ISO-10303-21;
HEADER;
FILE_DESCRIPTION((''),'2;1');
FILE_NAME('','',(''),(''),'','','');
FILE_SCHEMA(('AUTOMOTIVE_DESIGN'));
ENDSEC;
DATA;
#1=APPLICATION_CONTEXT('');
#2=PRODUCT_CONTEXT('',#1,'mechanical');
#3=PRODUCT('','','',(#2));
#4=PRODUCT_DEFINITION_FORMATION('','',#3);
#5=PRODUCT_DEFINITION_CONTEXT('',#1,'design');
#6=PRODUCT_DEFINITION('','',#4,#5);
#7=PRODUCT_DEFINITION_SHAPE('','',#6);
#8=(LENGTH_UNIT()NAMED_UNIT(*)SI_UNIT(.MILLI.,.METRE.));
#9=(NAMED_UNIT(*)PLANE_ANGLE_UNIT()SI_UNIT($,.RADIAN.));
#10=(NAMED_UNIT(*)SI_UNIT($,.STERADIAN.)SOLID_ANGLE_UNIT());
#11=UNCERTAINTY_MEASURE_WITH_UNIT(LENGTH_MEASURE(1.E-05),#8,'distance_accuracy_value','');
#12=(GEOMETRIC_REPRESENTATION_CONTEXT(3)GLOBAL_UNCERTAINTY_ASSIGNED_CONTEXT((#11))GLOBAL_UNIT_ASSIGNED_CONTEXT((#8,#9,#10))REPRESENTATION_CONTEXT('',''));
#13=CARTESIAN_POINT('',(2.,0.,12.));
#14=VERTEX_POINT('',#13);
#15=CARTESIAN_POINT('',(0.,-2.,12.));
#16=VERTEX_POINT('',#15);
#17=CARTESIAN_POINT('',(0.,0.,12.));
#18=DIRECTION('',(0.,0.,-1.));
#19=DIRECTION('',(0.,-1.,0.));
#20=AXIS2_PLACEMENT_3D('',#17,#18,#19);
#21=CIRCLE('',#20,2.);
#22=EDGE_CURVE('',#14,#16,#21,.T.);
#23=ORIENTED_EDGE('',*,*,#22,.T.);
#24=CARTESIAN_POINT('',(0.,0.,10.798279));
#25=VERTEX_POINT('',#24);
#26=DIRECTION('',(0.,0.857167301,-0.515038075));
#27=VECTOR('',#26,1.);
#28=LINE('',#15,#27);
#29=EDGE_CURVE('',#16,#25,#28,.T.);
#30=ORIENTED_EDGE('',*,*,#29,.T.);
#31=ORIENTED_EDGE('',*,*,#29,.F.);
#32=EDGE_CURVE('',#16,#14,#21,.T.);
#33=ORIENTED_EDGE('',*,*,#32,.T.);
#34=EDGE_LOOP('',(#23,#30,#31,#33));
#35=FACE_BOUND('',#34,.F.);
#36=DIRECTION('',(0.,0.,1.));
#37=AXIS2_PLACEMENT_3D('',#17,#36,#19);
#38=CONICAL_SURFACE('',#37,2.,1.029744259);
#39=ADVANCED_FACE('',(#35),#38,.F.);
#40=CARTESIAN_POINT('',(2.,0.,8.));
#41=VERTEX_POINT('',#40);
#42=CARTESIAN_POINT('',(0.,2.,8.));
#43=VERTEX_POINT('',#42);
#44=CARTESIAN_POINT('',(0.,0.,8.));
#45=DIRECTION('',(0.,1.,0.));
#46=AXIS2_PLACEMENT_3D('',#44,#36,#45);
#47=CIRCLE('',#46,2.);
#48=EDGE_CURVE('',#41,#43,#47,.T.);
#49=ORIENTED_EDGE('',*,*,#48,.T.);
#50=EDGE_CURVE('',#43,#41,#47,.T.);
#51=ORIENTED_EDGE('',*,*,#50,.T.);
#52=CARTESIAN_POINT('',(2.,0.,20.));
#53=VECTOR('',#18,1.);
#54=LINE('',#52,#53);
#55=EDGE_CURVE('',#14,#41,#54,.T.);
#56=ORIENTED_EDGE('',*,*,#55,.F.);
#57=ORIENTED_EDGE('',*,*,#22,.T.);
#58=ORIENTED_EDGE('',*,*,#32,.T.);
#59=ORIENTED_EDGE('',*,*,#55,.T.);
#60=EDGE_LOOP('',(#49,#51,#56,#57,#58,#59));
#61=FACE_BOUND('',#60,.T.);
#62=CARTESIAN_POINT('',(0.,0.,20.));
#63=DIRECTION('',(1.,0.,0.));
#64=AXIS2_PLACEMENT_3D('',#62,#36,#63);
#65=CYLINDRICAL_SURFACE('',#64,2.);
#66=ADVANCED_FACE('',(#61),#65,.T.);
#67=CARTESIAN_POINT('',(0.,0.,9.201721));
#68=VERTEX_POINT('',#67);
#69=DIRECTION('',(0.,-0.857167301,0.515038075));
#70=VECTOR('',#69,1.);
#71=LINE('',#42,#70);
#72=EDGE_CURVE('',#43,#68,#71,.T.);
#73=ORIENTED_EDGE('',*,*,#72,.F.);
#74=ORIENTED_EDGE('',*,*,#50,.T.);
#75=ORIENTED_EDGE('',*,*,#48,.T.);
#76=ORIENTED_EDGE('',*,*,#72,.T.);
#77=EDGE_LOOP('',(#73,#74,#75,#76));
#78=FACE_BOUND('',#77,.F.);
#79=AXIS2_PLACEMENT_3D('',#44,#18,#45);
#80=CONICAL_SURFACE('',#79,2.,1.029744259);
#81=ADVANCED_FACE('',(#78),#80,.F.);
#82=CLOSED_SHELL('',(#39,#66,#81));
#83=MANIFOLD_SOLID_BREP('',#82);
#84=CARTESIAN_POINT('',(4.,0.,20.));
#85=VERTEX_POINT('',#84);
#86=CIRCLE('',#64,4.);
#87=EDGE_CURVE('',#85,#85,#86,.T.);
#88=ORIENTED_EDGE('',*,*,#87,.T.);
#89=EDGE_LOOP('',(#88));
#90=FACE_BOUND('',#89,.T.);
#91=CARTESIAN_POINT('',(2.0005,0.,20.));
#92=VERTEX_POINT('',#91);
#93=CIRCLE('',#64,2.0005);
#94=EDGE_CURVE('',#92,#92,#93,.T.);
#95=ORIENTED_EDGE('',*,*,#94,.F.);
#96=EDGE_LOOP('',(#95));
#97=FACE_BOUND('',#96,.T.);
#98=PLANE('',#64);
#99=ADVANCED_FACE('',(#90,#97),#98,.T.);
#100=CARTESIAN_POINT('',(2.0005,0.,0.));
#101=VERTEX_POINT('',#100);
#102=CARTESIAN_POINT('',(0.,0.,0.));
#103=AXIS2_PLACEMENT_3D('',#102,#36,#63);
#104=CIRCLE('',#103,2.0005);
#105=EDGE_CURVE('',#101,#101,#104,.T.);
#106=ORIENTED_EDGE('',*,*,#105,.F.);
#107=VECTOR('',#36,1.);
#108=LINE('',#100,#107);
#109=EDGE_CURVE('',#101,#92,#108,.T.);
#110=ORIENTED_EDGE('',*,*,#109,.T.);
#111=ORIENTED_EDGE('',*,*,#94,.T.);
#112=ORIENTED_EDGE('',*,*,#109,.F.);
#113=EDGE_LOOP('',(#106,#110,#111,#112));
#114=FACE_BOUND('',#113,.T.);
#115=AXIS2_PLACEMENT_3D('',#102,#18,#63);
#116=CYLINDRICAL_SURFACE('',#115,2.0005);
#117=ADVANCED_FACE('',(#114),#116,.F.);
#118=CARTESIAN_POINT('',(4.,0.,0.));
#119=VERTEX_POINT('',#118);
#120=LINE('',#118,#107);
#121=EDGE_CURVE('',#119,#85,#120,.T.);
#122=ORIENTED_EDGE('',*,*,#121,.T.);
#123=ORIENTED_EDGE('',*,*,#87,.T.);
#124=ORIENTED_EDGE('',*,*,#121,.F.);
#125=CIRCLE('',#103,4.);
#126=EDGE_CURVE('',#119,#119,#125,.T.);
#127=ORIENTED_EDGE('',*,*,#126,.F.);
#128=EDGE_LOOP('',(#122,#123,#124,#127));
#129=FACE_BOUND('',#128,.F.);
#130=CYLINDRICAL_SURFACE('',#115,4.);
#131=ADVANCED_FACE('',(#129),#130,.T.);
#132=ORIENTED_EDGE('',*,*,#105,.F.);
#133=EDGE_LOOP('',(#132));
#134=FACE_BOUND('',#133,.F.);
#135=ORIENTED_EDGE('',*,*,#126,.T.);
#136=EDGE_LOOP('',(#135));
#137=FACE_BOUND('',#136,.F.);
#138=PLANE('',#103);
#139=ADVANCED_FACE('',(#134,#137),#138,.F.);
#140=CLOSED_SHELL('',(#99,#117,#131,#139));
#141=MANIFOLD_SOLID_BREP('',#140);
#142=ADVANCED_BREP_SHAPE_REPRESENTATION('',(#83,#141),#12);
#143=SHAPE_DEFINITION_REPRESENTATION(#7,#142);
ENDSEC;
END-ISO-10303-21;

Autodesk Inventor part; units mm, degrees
ref_plane "YZ Plane" through (0, 0, 0) normal (1, 0, 0) x (0, 1, 0)
ref_plane "XZ Plane" through (0, 0, 0) normal (0, 1, 0) x (-1, 0, 0)
ref_plane "XY Plane" through (0, 0, 0) normal (0, 0, 1) x (1, 0, 0)
sketch "スケッチ1" plane through (0, 0, 0) normal (0, 0, 1) x (1, 0, 0)
  circle A0 centre (0, 0) radius 4
  circle A1 centre (0, 0) radius 2.0005
  dimension "d0" = 8
  dimension "d1" = 4.001
extrude "押し出し1" add sketch "スケッチ1" along normal blind 20
sketch "スケッチ2" plane through (0, 0, 20) normal (0, 0, 1) x (1, 0, 0)
  circle A0 centre (0, 0) radius 2
  dimension "d4" = 4
extrude "押し出し2" add sketch "スケッチ2" against normal blind 20
hole "穴1" at (0, 0, 20) direction (0, 0, -1) diameter 4 depth 8 tip angle 118
hole "穴2" at (0, 0, 0) direction (0, 0, 1) diameter 4 depth 8 tip angle 118
properties part number "スペーサーm4-20　簡易筒型" material "アルミニウム 2014-T4"
